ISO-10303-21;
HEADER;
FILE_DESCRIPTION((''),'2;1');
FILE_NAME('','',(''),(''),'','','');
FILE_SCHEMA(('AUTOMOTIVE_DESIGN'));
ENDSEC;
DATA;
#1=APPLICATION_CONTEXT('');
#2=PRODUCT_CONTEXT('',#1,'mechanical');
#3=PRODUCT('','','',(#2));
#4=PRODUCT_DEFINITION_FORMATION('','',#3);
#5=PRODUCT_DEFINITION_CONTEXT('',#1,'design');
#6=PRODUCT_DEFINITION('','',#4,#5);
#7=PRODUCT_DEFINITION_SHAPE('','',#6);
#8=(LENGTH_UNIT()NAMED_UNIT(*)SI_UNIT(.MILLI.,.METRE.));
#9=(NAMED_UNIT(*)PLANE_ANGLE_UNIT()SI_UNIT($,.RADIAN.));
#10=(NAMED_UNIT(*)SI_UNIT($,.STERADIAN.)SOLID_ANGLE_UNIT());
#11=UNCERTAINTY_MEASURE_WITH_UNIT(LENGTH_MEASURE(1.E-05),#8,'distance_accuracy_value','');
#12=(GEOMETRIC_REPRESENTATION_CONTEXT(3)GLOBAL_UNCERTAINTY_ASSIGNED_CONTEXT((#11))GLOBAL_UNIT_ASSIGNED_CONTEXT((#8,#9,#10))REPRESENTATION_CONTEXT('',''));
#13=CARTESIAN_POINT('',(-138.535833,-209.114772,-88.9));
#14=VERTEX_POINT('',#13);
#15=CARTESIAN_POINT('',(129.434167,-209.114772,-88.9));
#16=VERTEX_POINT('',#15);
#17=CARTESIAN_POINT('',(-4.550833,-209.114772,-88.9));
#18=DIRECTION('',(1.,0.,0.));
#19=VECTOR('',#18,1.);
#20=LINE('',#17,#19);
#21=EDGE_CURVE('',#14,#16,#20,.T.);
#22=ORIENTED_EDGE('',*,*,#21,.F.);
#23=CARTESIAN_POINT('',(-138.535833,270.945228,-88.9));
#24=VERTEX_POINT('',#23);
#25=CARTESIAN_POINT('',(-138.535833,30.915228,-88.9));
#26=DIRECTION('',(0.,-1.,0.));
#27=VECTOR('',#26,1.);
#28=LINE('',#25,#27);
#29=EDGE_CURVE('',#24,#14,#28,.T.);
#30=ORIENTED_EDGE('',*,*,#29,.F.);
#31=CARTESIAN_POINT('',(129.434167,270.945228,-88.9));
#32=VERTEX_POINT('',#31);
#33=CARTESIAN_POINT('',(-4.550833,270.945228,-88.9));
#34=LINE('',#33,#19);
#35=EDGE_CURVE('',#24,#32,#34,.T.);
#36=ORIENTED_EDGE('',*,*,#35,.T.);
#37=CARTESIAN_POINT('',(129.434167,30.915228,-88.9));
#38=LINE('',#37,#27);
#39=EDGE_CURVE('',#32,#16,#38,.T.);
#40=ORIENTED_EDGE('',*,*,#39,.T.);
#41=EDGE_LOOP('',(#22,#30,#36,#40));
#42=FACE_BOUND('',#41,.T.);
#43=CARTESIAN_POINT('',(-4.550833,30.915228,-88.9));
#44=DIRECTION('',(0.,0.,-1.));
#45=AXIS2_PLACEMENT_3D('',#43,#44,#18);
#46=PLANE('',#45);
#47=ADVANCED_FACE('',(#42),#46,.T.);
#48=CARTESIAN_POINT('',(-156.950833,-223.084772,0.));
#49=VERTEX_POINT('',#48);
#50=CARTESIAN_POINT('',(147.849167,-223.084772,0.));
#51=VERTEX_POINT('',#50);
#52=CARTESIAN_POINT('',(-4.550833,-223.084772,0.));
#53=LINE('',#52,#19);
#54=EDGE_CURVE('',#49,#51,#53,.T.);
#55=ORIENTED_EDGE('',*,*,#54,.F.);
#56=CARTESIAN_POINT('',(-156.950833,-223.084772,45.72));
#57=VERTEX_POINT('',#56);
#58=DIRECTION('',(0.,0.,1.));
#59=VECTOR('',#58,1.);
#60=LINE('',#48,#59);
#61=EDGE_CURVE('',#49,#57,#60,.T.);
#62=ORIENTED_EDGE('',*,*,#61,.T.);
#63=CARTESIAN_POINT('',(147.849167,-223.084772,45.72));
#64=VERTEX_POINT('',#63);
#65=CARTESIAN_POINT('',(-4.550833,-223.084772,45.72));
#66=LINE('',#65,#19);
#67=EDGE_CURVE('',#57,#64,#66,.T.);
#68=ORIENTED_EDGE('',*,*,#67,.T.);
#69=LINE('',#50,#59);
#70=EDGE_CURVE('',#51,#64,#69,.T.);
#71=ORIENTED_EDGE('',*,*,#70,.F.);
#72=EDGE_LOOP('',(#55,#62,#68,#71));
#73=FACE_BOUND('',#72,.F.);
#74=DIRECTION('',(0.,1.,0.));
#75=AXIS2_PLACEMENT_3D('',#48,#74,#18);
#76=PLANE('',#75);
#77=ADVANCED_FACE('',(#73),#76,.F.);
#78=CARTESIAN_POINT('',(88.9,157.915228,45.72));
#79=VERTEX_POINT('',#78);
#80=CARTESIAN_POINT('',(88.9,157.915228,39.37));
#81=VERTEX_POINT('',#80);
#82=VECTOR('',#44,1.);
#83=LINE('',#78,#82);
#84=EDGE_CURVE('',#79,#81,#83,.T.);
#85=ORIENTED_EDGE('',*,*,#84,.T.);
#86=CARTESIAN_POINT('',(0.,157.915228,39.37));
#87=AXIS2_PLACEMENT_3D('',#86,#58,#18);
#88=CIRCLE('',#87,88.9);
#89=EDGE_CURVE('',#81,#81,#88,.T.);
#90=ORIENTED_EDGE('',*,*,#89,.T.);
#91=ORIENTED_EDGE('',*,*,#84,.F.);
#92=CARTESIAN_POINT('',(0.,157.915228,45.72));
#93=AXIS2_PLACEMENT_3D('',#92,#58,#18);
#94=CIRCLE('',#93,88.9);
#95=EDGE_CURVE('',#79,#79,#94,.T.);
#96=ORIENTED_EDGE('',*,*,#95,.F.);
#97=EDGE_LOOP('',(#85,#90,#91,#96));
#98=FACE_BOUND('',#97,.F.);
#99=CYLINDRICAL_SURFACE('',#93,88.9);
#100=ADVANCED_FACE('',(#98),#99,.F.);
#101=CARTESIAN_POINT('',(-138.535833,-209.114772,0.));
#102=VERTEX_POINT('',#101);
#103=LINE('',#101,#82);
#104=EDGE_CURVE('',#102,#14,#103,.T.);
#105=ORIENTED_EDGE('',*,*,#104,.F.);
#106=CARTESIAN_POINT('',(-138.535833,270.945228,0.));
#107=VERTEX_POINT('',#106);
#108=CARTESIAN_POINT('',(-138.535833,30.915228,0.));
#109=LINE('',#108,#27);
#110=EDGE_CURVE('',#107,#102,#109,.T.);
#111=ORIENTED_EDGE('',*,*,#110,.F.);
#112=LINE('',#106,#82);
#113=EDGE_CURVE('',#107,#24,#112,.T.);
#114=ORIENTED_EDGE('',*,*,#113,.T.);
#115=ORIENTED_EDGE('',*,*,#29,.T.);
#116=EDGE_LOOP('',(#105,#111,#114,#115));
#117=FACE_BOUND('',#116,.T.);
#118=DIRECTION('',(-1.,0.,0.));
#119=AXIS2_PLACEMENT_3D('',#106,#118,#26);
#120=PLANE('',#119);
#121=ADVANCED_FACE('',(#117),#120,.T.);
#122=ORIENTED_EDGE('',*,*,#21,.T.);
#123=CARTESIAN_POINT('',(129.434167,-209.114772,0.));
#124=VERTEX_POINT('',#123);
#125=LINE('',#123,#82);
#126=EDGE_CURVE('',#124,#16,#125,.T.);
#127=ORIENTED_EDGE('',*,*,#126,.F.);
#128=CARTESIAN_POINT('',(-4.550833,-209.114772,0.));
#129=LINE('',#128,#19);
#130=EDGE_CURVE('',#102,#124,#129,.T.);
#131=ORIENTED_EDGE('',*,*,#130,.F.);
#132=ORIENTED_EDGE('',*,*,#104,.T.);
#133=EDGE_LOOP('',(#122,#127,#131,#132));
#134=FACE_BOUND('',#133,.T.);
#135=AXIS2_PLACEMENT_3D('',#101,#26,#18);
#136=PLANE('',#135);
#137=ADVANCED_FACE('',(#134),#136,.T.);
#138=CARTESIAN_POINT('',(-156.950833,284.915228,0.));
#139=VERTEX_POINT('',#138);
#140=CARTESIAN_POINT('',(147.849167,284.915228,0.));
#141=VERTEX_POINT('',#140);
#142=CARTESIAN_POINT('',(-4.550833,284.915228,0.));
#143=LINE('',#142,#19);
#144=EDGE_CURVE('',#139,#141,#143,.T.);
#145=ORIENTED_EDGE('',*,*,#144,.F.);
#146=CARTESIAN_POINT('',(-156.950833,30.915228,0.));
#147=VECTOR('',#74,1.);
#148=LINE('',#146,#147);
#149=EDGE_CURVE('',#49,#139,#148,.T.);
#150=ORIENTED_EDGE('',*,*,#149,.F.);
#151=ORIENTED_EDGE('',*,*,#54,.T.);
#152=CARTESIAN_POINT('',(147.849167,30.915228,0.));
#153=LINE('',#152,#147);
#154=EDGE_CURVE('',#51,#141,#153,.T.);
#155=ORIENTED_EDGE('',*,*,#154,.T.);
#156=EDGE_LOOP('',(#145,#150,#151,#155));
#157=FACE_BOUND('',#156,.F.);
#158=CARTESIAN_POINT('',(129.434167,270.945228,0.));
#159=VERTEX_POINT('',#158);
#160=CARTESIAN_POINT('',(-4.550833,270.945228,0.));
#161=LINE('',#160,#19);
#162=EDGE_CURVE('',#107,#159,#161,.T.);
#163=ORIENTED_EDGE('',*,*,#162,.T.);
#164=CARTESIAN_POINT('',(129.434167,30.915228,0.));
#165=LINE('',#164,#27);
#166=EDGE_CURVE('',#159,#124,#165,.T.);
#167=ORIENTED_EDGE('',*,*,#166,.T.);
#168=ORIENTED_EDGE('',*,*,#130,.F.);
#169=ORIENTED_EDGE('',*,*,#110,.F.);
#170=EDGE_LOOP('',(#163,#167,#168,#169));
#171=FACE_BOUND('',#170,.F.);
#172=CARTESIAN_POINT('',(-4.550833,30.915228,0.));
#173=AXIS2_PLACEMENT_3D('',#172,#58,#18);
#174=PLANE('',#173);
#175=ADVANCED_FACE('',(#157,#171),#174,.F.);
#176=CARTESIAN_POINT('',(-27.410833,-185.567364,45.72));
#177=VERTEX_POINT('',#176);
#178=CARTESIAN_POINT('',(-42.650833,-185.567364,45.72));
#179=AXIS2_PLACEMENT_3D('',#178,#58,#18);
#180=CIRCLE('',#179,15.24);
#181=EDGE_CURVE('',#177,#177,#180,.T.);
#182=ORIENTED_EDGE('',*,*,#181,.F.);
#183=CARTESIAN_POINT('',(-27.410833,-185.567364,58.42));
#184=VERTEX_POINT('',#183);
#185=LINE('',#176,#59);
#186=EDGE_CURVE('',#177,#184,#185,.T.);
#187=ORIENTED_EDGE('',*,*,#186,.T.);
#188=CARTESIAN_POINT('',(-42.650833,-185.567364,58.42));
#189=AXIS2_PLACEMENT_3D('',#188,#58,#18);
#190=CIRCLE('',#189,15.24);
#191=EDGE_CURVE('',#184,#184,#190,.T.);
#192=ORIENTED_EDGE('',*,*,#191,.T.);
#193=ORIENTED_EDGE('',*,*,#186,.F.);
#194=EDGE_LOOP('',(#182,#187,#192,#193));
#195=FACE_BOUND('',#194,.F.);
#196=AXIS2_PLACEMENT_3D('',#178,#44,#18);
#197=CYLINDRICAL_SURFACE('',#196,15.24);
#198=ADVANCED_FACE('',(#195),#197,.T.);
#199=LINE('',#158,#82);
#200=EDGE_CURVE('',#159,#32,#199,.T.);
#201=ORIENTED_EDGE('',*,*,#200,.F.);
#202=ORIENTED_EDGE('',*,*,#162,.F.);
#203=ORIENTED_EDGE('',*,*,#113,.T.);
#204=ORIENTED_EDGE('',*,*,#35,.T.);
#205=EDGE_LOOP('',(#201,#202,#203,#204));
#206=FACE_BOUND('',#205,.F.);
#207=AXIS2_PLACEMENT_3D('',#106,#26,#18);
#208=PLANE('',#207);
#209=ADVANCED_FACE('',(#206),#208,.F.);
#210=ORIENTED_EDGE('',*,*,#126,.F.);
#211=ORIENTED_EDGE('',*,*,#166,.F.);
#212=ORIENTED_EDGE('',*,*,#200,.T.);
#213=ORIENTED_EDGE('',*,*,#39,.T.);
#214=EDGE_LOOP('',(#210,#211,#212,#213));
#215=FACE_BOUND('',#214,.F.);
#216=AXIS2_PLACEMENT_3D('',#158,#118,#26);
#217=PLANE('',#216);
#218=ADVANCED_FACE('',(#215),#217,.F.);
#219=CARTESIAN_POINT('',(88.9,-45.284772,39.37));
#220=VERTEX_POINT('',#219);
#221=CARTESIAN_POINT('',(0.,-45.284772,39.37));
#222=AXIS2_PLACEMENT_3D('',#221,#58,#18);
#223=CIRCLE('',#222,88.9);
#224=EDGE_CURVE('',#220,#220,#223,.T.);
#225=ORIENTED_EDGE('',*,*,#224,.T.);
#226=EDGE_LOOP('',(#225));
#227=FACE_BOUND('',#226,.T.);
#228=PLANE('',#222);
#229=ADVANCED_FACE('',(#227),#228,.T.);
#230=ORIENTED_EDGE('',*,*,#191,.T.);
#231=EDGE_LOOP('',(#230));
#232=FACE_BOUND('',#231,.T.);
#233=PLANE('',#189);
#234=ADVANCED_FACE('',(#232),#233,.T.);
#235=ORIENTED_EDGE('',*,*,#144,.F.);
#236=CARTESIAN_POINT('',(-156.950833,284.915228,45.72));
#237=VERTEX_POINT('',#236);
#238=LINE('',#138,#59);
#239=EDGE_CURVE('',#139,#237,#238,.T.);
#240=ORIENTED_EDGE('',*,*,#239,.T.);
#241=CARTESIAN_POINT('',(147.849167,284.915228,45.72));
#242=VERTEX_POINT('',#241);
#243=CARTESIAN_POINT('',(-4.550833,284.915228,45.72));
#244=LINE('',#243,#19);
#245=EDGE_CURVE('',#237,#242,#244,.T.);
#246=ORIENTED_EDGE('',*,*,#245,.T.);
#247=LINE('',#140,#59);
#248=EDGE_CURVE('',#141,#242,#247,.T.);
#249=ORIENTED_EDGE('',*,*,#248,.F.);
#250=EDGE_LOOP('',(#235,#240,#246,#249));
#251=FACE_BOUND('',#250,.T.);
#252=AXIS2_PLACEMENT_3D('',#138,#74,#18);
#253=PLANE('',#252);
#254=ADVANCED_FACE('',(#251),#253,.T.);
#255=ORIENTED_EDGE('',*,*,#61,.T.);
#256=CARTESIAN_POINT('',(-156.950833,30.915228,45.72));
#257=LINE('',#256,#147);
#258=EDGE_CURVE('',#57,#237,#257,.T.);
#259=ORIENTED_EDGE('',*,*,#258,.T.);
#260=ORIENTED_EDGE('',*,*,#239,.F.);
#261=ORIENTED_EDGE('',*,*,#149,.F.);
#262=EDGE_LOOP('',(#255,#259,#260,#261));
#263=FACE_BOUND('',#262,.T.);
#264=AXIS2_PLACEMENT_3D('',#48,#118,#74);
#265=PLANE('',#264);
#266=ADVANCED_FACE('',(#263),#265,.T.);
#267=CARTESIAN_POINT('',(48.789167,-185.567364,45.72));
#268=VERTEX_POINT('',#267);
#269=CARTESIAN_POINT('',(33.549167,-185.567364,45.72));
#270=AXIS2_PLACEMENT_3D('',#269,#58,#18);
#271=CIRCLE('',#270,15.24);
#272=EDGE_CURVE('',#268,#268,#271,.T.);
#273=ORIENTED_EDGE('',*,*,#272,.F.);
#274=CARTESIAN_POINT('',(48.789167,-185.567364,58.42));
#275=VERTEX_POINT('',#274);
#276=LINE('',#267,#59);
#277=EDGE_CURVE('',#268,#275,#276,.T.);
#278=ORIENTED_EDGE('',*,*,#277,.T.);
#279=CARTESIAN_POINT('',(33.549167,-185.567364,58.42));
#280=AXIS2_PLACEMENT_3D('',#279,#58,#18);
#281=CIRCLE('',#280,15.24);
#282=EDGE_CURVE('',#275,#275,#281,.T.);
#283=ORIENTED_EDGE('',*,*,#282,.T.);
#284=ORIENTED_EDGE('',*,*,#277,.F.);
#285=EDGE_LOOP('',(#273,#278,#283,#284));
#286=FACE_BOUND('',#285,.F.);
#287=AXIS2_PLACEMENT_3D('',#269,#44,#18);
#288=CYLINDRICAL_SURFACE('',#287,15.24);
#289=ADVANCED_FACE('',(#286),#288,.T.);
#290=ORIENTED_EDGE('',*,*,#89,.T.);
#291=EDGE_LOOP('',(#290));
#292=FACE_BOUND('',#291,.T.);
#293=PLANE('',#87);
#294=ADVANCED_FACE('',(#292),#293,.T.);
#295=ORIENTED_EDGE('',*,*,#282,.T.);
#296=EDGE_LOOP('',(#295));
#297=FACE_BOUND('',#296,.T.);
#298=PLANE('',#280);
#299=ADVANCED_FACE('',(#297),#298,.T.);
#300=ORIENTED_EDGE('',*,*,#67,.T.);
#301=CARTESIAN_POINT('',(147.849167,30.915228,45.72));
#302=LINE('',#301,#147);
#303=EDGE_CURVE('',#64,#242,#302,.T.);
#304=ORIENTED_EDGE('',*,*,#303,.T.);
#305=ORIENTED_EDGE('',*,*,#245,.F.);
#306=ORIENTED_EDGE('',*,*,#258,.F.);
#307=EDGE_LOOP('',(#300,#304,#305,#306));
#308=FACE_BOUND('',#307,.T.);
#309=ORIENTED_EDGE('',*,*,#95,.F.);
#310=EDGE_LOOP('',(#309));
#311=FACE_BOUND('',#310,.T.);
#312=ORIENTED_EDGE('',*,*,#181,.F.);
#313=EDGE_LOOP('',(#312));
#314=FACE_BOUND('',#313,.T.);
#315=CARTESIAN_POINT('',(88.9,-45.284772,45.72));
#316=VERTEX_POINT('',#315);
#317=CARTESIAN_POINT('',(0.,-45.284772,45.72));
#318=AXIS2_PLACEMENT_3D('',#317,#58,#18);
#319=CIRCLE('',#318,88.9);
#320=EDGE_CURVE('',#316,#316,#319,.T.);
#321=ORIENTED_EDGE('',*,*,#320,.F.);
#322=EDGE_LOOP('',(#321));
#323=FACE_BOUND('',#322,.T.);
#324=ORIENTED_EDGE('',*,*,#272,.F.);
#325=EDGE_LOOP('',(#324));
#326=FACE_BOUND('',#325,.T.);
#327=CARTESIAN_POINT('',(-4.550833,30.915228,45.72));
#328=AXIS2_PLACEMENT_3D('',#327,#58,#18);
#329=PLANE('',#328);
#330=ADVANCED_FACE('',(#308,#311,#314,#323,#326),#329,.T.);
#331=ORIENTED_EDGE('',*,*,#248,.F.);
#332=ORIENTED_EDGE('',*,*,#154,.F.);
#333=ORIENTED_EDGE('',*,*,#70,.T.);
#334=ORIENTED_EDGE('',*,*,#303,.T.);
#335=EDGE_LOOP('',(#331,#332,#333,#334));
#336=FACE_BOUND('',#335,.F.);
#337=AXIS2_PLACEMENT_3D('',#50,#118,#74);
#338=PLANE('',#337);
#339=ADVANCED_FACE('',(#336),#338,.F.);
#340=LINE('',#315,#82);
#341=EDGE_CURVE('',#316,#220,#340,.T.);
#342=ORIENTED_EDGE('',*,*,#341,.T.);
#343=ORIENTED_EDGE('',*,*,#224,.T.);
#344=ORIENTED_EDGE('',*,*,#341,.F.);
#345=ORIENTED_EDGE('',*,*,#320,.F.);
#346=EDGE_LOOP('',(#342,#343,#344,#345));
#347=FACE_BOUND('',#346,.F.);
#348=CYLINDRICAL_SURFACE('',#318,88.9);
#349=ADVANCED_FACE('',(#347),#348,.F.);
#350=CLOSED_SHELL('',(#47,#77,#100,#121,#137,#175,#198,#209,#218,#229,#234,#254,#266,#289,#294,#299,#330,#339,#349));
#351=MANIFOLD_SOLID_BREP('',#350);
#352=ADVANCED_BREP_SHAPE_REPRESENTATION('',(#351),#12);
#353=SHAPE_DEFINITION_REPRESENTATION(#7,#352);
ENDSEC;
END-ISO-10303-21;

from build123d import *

# Parameters (mm, degrees)
F0_W     = 304.8
F0_H     = 508
F1_DEPTH = 45.72
F3_W     = 267.97
F3_H     = 480.06
F4_DEPTH = 88.9
F5_R     = 88.9
F6_DEPTH = 6.35
F7_R     = 15.24
F8_DEPTH = 12.7


with BuildPart() as f1:
    # F0 (on Top) → F1 (new body)
    with BuildSketch(Plane.XY):
        with Locations((-4.550833, 30.915228)):
            Rectangle(F0_W, F0_H)
    extrude(amount=F1_DEPTH)

    # F3 (on face) → F4 (join)
    with BuildSketch(Plane(origin=(0, 0, 0), x_dir=(1, 0, 0), z_dir=(0, 0, -1))):
        with Locations((-4.550833, -30.915228)):
            Rectangle(F3_W, F3_H)
    extrude(amount=F4_DEPTH)

    # F5 (on face) → F6 (cut)
    with BuildSketch(Plane.XY.offset(45.72)):
        with Locations((0, 157.915228)):
            Circle(F5_R)
        with Locations((0, -45.284772)):
            Circle(F5_R)
    extrude(amount=-F6_DEPTH, mode=Mode.SUBTRACT)

    # F7 (on face) → F8 (join)
    with BuildSketch(Plane.XY.offset(45.72)):
        with Locations((-42.650833, -185.567364)):
            Circle(F7_R)
        with Locations((33.549167, -185.567364)):
            Circle(F7_R)
    extrude(amount=F8_DEPTH)


solid = f1.part
